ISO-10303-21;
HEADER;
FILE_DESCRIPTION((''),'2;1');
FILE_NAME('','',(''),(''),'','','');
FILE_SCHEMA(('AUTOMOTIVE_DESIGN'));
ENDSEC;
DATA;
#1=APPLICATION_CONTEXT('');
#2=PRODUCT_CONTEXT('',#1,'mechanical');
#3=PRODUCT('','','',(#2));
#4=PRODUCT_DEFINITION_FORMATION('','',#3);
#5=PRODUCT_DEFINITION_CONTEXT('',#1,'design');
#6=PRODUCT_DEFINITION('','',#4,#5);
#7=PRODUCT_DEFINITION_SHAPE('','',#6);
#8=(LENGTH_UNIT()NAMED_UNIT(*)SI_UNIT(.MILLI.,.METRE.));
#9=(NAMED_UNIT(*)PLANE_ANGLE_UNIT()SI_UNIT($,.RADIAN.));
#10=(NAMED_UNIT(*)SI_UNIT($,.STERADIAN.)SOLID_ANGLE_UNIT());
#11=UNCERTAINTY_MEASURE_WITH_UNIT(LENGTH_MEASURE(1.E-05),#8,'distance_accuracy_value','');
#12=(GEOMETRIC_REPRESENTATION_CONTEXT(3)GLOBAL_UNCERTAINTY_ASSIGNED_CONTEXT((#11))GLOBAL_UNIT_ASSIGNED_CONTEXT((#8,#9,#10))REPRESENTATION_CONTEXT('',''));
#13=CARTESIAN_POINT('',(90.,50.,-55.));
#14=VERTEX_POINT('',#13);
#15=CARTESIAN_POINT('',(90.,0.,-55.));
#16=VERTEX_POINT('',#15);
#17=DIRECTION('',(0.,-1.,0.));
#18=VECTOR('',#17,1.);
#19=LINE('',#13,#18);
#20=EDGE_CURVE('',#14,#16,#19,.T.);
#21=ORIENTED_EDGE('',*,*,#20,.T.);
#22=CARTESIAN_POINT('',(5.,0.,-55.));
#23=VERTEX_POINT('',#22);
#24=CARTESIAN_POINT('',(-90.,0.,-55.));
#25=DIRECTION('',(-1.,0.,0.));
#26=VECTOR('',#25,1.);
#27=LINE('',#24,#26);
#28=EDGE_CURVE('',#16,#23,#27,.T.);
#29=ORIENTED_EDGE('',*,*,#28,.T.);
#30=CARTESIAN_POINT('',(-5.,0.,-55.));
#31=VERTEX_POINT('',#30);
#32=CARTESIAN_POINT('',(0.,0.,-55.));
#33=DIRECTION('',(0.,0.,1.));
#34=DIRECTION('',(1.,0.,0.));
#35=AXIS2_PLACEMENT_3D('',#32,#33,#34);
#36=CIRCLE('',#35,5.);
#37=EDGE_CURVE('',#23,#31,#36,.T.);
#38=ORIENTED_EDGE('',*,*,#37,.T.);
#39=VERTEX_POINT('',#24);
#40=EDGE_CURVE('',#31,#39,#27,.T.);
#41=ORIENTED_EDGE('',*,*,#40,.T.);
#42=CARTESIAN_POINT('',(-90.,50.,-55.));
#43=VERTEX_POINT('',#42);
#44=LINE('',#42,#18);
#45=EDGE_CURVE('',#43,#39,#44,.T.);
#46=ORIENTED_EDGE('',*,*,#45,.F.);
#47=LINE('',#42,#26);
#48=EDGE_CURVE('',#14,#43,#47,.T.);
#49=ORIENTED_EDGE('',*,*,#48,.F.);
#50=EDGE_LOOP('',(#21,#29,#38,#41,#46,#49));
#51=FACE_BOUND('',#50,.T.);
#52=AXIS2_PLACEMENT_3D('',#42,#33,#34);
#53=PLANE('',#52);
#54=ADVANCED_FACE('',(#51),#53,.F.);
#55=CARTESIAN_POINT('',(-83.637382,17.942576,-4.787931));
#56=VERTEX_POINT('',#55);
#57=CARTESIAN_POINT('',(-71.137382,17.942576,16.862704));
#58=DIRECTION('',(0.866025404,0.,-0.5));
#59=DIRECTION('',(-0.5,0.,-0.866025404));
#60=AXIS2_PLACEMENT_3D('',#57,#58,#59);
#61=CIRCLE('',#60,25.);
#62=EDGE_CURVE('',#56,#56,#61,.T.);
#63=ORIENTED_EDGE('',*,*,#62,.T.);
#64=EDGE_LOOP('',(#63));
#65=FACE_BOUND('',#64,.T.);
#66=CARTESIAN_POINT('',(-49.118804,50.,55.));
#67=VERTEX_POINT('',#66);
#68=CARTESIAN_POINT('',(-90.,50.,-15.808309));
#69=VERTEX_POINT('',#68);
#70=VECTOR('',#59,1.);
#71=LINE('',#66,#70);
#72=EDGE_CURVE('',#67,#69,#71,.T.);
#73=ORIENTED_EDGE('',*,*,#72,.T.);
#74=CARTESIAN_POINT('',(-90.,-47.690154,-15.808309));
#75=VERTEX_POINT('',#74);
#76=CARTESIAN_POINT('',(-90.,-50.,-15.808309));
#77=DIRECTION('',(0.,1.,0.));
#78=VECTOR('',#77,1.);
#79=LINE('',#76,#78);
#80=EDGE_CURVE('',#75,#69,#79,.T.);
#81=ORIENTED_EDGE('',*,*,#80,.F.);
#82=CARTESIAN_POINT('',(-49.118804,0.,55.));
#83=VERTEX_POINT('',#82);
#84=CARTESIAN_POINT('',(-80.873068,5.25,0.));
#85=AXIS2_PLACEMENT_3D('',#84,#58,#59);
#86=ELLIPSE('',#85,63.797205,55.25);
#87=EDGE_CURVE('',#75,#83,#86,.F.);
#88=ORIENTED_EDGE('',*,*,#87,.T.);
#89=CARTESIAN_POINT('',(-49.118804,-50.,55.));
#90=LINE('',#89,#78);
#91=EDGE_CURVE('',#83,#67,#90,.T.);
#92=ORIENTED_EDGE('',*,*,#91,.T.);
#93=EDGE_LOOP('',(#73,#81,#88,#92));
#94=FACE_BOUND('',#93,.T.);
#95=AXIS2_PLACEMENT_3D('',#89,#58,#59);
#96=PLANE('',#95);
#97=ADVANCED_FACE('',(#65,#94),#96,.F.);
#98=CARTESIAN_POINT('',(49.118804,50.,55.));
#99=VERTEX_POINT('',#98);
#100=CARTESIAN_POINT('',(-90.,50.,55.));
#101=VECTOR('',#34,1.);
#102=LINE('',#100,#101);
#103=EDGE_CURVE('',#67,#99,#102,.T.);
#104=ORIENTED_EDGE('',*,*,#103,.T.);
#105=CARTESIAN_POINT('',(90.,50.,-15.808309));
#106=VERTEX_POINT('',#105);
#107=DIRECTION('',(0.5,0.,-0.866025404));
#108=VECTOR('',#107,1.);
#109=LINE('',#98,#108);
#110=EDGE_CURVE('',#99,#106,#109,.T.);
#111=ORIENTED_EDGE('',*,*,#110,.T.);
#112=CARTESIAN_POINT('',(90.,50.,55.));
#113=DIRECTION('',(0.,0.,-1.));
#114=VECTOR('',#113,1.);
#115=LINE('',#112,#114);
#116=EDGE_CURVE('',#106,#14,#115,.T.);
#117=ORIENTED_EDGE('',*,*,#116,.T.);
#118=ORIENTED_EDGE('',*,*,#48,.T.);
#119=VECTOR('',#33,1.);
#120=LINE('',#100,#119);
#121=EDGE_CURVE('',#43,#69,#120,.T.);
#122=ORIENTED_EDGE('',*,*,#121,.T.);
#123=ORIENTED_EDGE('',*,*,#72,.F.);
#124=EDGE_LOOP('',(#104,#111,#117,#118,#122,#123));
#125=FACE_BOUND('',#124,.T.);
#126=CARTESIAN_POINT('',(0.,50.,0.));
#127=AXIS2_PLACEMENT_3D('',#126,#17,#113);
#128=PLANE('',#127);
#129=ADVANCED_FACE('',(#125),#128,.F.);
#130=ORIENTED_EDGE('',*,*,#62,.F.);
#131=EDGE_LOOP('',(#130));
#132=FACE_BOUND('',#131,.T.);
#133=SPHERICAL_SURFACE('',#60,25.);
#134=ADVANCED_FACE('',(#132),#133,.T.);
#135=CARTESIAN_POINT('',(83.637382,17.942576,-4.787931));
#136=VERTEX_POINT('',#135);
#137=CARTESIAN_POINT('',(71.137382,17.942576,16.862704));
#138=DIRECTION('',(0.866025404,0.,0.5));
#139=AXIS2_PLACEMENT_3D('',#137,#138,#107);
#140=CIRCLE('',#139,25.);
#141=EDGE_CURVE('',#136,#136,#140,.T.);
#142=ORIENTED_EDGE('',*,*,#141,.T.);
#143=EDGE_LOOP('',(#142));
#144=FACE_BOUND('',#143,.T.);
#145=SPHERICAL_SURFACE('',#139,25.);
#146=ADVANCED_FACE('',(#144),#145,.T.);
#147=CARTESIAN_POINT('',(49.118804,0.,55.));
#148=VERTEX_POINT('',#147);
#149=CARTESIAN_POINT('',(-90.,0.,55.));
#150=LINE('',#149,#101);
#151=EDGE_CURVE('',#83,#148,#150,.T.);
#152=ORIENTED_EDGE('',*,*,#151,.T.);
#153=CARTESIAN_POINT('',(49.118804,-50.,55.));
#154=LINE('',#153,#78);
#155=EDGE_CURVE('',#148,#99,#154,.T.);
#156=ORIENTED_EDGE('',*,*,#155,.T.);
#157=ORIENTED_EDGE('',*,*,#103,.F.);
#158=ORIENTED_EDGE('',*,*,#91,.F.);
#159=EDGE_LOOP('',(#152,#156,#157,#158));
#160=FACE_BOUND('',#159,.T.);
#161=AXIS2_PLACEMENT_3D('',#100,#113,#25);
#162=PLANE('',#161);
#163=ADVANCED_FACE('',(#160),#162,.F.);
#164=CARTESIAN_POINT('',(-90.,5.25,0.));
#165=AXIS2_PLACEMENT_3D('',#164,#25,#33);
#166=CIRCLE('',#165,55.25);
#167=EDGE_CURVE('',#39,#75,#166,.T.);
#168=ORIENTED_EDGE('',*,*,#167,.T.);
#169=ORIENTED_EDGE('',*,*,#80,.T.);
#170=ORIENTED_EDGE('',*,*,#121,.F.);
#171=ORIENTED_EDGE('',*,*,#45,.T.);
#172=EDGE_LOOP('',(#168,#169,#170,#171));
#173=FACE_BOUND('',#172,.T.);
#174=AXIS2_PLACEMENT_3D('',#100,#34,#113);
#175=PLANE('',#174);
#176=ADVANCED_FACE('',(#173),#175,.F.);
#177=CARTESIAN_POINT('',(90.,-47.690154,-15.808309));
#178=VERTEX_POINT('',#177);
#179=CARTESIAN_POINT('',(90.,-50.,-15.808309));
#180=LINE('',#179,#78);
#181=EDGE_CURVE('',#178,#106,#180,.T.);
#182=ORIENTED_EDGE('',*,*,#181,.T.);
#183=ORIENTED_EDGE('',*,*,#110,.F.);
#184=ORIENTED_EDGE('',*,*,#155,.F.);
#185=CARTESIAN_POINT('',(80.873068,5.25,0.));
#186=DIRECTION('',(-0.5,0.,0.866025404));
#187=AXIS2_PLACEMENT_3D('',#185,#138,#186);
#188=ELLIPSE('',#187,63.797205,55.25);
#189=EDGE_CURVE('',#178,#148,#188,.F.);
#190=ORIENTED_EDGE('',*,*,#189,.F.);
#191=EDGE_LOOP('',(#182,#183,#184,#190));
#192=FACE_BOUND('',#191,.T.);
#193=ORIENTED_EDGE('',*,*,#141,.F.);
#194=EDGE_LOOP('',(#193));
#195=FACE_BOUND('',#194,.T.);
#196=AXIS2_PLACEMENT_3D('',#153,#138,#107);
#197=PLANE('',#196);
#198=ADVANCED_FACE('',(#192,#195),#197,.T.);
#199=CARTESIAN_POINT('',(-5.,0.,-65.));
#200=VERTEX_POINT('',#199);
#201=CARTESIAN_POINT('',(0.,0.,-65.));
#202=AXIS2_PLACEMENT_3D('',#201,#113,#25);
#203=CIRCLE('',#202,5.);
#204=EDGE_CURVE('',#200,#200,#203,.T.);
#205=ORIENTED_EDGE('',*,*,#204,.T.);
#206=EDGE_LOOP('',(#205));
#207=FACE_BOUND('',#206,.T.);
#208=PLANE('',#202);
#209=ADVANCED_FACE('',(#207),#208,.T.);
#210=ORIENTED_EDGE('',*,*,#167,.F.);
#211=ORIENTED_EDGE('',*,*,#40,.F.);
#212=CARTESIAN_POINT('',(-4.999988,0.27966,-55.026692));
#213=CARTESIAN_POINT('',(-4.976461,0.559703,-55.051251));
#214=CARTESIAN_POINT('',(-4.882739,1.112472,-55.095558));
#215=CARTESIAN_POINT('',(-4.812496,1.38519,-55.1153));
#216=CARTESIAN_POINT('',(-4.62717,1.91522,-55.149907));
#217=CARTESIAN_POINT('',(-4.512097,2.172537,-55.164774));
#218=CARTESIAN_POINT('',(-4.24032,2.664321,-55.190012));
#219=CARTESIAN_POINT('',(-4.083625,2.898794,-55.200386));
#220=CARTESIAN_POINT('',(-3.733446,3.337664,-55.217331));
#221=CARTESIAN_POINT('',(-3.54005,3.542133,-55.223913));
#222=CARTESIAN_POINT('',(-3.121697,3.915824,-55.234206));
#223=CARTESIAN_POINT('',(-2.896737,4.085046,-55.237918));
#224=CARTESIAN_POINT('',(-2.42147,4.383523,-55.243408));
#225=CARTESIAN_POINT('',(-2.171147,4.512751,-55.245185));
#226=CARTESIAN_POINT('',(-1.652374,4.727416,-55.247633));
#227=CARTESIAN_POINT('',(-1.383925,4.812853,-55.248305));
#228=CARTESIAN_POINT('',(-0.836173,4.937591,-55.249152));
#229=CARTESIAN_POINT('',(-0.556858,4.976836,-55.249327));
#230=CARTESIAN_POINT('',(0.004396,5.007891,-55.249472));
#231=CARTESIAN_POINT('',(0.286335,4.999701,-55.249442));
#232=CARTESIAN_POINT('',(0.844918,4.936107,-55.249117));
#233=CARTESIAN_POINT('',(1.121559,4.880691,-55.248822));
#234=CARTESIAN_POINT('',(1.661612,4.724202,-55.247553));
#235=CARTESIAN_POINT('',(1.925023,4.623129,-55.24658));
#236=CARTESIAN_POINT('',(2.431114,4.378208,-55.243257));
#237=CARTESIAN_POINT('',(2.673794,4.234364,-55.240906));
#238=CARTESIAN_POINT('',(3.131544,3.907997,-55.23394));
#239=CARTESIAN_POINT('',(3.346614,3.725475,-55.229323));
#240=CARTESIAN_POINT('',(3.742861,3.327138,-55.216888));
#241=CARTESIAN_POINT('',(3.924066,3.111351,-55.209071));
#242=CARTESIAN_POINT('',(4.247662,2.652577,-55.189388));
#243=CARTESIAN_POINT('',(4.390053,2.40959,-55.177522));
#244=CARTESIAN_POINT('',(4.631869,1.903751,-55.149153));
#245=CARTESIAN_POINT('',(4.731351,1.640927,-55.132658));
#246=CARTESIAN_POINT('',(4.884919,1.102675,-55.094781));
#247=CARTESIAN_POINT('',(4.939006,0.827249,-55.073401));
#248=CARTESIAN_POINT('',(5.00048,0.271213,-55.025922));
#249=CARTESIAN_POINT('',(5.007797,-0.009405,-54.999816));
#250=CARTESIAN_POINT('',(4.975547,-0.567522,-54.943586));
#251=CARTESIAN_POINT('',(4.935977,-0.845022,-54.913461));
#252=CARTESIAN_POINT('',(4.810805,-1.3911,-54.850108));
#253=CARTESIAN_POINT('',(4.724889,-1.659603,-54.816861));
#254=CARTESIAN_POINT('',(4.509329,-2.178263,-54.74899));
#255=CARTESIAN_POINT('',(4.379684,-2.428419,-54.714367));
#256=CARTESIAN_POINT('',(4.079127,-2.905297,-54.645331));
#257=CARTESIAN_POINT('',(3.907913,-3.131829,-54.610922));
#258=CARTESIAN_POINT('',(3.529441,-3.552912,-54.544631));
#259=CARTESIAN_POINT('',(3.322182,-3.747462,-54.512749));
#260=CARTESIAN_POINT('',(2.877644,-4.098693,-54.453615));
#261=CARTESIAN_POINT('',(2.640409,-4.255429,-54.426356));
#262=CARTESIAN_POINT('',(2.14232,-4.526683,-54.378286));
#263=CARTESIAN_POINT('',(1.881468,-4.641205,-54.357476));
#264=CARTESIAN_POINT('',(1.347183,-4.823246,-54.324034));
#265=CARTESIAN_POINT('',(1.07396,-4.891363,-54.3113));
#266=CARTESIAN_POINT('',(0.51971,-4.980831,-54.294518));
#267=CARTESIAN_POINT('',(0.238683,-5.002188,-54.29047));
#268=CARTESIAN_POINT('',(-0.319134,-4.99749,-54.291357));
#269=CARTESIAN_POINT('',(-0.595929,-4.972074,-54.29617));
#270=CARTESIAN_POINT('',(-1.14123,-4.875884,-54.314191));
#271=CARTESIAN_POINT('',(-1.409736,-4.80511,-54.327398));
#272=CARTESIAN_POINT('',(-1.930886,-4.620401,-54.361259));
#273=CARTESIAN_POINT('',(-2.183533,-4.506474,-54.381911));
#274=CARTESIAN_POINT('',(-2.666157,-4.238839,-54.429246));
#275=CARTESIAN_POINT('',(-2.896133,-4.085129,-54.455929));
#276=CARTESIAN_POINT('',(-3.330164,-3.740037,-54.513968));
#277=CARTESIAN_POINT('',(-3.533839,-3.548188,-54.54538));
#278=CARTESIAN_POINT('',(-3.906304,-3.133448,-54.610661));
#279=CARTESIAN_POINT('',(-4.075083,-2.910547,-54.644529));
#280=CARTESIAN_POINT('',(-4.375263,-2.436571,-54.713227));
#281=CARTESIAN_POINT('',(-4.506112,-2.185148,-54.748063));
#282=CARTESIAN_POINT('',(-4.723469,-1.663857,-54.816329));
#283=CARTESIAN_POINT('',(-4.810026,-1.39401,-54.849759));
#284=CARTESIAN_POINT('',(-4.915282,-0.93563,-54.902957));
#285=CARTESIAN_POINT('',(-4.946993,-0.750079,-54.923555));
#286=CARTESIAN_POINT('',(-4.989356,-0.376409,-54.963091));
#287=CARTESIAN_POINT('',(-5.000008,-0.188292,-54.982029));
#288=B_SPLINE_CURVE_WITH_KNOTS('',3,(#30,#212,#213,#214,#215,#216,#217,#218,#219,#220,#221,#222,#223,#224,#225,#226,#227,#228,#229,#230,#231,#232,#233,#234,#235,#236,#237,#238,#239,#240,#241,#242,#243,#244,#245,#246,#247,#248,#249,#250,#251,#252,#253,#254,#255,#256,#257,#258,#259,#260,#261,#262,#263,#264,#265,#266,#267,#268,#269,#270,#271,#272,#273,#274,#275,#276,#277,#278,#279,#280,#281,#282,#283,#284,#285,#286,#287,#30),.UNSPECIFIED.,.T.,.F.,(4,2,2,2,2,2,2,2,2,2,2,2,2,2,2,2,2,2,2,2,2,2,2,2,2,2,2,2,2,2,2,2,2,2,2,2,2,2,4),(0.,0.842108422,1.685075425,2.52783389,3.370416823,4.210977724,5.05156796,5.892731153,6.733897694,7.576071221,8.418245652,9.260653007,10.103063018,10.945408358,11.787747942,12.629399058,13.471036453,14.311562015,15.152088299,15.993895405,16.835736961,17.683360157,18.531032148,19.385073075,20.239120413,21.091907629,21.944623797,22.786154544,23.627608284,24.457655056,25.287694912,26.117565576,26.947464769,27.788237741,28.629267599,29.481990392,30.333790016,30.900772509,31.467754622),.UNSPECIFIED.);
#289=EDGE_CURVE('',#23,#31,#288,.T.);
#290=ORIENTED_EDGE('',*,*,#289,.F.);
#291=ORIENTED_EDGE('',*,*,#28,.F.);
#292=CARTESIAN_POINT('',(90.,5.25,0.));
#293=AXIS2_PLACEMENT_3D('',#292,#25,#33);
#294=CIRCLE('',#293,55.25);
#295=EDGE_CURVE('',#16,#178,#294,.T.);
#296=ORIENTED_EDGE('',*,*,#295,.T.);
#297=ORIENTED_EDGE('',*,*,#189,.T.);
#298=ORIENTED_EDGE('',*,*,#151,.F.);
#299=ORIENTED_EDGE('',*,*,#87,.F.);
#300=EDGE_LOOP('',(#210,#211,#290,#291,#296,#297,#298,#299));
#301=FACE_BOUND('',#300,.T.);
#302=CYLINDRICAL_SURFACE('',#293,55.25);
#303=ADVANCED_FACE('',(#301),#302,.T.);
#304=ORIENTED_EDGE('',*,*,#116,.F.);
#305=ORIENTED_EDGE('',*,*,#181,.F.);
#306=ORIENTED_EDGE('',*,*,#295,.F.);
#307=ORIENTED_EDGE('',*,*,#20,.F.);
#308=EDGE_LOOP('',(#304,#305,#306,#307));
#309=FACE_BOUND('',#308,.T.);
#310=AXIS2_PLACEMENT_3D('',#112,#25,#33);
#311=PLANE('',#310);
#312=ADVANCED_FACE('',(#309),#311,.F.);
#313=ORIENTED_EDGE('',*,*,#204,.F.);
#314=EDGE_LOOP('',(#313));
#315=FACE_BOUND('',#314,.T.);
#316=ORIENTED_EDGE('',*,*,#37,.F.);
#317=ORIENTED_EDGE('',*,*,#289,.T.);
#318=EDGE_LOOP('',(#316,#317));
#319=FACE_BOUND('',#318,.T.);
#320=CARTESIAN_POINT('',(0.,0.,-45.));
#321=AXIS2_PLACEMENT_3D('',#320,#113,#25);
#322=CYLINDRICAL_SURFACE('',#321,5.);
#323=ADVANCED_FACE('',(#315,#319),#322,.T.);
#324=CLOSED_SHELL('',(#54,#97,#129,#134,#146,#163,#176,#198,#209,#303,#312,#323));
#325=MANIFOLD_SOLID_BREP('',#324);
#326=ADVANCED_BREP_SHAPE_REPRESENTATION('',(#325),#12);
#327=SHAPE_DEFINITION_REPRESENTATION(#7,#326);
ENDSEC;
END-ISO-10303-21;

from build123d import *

# Parameters (mm, degrees)
SKETCH1_W                = 180
SKETCH1_H                = 110
BOSS_EXTRUDE1_DEPTH      = 50
BOSS_EXTRUDE2_DEPTH      = 180
CUT_EXTRUDE1_DEPTH       = 146.344418537
BOSS_EXTRUDE5_DEPTH      = 10
BOSS_EXTRUDE5_DEPTH_BACK = 10
SKETCH5_R                = 5


with BuildPart() as part:
    # Sketch1 → Boss-Extrude1 (new body)
    with BuildSketch(Plane(origin=(0, 0, 0), x_dir=(1, 0, 0), z_dir=(0, 1, 0))):
        Rectangle(SKETCH1_W, SKETCH1_H)
    extrude(amount=BOSS_EXTRUDE1_DEPTH)

    # Sketch2 → Boss-Extrude2 (add)
    with BuildSketch(Plane.ZY.offset(90)):
        with BuildLine():
            Line((-55, 0), (55, 0))
            ThreePointArc((55, 0), (0, -50), (-55, 0))
        make_face()
    extrude(amount=-BOSS_EXTRUDE2_DEPTH)

    # Sketch3 → Cut-Extrude1 (cut, through all)
    with BuildSketch(Plane(origin=(0, 50, 0), x_dir=(1, 0, 0), z_dir=(0, 1, 0))):
        Polygon((-49.118803686, -55), (-90, 15.808309091), (-90, -55), align=None)
    cut_extrude1 = extrude(amount=-CUT_EXTRUDE1_DEPTH, mode=Mode.SUBTRACT)

    # Mirror1: Cut-Extrude1 across plane
    add(cut_extrude1.mirror(Plane(origin=(0, 0, 0), x_dir=(0, 0, 1), z_dir=(1, 0, 0))), mode=Mode.SUBTRACT)

    # Sketch5 → Boss-Extrude5 (add, two sides: drawn at the far end of the back side and taken through both)
    with BuildSketch(Plane(origin=(0, 0, -55), x_dir=(-1, 0, 0), z_dir=(0, 0, -1)).offset(-BOSS_EXTRUDE5_DEPTH_BACK)):
        Circle(SKETCH5_R)
    extrude(amount=BOSS_EXTRUDE5_DEPTH + BOSS_EXTRUDE5_DEPTH_BACK)

    # Sketch4 → Revolve1 (revolve)
    with BuildSketch(Plane(origin=(-60.654801368, 0, 35.019065898), x_dir=(0.49999999999999495, 0, 0.8660254037844417), z_dir=(-0.8660254037844417, 0, 0.49999999999999495))):
        with BuildLine():
            ThreePointArc((-20.965161058, 42.942576489), (4.034838942, 17.942576489), (-20.965161058, -7.057423511))
            Line((-20.965161058, -7.057423511), (-20.965161058, 42.942576489))
        make_face()
    revolve1 = revolve(axis=Axis((-71.137381897, 42.942576489, 16.862703827), (0, -1, 0)))

    # Mirror2: Revolve1 across plane
    add(revolve1.mirror(Plane(origin=(0, 0, 0), x_dir=(0, 0, 1), z_dir=(1, 0, 0))))


solid = part.part
